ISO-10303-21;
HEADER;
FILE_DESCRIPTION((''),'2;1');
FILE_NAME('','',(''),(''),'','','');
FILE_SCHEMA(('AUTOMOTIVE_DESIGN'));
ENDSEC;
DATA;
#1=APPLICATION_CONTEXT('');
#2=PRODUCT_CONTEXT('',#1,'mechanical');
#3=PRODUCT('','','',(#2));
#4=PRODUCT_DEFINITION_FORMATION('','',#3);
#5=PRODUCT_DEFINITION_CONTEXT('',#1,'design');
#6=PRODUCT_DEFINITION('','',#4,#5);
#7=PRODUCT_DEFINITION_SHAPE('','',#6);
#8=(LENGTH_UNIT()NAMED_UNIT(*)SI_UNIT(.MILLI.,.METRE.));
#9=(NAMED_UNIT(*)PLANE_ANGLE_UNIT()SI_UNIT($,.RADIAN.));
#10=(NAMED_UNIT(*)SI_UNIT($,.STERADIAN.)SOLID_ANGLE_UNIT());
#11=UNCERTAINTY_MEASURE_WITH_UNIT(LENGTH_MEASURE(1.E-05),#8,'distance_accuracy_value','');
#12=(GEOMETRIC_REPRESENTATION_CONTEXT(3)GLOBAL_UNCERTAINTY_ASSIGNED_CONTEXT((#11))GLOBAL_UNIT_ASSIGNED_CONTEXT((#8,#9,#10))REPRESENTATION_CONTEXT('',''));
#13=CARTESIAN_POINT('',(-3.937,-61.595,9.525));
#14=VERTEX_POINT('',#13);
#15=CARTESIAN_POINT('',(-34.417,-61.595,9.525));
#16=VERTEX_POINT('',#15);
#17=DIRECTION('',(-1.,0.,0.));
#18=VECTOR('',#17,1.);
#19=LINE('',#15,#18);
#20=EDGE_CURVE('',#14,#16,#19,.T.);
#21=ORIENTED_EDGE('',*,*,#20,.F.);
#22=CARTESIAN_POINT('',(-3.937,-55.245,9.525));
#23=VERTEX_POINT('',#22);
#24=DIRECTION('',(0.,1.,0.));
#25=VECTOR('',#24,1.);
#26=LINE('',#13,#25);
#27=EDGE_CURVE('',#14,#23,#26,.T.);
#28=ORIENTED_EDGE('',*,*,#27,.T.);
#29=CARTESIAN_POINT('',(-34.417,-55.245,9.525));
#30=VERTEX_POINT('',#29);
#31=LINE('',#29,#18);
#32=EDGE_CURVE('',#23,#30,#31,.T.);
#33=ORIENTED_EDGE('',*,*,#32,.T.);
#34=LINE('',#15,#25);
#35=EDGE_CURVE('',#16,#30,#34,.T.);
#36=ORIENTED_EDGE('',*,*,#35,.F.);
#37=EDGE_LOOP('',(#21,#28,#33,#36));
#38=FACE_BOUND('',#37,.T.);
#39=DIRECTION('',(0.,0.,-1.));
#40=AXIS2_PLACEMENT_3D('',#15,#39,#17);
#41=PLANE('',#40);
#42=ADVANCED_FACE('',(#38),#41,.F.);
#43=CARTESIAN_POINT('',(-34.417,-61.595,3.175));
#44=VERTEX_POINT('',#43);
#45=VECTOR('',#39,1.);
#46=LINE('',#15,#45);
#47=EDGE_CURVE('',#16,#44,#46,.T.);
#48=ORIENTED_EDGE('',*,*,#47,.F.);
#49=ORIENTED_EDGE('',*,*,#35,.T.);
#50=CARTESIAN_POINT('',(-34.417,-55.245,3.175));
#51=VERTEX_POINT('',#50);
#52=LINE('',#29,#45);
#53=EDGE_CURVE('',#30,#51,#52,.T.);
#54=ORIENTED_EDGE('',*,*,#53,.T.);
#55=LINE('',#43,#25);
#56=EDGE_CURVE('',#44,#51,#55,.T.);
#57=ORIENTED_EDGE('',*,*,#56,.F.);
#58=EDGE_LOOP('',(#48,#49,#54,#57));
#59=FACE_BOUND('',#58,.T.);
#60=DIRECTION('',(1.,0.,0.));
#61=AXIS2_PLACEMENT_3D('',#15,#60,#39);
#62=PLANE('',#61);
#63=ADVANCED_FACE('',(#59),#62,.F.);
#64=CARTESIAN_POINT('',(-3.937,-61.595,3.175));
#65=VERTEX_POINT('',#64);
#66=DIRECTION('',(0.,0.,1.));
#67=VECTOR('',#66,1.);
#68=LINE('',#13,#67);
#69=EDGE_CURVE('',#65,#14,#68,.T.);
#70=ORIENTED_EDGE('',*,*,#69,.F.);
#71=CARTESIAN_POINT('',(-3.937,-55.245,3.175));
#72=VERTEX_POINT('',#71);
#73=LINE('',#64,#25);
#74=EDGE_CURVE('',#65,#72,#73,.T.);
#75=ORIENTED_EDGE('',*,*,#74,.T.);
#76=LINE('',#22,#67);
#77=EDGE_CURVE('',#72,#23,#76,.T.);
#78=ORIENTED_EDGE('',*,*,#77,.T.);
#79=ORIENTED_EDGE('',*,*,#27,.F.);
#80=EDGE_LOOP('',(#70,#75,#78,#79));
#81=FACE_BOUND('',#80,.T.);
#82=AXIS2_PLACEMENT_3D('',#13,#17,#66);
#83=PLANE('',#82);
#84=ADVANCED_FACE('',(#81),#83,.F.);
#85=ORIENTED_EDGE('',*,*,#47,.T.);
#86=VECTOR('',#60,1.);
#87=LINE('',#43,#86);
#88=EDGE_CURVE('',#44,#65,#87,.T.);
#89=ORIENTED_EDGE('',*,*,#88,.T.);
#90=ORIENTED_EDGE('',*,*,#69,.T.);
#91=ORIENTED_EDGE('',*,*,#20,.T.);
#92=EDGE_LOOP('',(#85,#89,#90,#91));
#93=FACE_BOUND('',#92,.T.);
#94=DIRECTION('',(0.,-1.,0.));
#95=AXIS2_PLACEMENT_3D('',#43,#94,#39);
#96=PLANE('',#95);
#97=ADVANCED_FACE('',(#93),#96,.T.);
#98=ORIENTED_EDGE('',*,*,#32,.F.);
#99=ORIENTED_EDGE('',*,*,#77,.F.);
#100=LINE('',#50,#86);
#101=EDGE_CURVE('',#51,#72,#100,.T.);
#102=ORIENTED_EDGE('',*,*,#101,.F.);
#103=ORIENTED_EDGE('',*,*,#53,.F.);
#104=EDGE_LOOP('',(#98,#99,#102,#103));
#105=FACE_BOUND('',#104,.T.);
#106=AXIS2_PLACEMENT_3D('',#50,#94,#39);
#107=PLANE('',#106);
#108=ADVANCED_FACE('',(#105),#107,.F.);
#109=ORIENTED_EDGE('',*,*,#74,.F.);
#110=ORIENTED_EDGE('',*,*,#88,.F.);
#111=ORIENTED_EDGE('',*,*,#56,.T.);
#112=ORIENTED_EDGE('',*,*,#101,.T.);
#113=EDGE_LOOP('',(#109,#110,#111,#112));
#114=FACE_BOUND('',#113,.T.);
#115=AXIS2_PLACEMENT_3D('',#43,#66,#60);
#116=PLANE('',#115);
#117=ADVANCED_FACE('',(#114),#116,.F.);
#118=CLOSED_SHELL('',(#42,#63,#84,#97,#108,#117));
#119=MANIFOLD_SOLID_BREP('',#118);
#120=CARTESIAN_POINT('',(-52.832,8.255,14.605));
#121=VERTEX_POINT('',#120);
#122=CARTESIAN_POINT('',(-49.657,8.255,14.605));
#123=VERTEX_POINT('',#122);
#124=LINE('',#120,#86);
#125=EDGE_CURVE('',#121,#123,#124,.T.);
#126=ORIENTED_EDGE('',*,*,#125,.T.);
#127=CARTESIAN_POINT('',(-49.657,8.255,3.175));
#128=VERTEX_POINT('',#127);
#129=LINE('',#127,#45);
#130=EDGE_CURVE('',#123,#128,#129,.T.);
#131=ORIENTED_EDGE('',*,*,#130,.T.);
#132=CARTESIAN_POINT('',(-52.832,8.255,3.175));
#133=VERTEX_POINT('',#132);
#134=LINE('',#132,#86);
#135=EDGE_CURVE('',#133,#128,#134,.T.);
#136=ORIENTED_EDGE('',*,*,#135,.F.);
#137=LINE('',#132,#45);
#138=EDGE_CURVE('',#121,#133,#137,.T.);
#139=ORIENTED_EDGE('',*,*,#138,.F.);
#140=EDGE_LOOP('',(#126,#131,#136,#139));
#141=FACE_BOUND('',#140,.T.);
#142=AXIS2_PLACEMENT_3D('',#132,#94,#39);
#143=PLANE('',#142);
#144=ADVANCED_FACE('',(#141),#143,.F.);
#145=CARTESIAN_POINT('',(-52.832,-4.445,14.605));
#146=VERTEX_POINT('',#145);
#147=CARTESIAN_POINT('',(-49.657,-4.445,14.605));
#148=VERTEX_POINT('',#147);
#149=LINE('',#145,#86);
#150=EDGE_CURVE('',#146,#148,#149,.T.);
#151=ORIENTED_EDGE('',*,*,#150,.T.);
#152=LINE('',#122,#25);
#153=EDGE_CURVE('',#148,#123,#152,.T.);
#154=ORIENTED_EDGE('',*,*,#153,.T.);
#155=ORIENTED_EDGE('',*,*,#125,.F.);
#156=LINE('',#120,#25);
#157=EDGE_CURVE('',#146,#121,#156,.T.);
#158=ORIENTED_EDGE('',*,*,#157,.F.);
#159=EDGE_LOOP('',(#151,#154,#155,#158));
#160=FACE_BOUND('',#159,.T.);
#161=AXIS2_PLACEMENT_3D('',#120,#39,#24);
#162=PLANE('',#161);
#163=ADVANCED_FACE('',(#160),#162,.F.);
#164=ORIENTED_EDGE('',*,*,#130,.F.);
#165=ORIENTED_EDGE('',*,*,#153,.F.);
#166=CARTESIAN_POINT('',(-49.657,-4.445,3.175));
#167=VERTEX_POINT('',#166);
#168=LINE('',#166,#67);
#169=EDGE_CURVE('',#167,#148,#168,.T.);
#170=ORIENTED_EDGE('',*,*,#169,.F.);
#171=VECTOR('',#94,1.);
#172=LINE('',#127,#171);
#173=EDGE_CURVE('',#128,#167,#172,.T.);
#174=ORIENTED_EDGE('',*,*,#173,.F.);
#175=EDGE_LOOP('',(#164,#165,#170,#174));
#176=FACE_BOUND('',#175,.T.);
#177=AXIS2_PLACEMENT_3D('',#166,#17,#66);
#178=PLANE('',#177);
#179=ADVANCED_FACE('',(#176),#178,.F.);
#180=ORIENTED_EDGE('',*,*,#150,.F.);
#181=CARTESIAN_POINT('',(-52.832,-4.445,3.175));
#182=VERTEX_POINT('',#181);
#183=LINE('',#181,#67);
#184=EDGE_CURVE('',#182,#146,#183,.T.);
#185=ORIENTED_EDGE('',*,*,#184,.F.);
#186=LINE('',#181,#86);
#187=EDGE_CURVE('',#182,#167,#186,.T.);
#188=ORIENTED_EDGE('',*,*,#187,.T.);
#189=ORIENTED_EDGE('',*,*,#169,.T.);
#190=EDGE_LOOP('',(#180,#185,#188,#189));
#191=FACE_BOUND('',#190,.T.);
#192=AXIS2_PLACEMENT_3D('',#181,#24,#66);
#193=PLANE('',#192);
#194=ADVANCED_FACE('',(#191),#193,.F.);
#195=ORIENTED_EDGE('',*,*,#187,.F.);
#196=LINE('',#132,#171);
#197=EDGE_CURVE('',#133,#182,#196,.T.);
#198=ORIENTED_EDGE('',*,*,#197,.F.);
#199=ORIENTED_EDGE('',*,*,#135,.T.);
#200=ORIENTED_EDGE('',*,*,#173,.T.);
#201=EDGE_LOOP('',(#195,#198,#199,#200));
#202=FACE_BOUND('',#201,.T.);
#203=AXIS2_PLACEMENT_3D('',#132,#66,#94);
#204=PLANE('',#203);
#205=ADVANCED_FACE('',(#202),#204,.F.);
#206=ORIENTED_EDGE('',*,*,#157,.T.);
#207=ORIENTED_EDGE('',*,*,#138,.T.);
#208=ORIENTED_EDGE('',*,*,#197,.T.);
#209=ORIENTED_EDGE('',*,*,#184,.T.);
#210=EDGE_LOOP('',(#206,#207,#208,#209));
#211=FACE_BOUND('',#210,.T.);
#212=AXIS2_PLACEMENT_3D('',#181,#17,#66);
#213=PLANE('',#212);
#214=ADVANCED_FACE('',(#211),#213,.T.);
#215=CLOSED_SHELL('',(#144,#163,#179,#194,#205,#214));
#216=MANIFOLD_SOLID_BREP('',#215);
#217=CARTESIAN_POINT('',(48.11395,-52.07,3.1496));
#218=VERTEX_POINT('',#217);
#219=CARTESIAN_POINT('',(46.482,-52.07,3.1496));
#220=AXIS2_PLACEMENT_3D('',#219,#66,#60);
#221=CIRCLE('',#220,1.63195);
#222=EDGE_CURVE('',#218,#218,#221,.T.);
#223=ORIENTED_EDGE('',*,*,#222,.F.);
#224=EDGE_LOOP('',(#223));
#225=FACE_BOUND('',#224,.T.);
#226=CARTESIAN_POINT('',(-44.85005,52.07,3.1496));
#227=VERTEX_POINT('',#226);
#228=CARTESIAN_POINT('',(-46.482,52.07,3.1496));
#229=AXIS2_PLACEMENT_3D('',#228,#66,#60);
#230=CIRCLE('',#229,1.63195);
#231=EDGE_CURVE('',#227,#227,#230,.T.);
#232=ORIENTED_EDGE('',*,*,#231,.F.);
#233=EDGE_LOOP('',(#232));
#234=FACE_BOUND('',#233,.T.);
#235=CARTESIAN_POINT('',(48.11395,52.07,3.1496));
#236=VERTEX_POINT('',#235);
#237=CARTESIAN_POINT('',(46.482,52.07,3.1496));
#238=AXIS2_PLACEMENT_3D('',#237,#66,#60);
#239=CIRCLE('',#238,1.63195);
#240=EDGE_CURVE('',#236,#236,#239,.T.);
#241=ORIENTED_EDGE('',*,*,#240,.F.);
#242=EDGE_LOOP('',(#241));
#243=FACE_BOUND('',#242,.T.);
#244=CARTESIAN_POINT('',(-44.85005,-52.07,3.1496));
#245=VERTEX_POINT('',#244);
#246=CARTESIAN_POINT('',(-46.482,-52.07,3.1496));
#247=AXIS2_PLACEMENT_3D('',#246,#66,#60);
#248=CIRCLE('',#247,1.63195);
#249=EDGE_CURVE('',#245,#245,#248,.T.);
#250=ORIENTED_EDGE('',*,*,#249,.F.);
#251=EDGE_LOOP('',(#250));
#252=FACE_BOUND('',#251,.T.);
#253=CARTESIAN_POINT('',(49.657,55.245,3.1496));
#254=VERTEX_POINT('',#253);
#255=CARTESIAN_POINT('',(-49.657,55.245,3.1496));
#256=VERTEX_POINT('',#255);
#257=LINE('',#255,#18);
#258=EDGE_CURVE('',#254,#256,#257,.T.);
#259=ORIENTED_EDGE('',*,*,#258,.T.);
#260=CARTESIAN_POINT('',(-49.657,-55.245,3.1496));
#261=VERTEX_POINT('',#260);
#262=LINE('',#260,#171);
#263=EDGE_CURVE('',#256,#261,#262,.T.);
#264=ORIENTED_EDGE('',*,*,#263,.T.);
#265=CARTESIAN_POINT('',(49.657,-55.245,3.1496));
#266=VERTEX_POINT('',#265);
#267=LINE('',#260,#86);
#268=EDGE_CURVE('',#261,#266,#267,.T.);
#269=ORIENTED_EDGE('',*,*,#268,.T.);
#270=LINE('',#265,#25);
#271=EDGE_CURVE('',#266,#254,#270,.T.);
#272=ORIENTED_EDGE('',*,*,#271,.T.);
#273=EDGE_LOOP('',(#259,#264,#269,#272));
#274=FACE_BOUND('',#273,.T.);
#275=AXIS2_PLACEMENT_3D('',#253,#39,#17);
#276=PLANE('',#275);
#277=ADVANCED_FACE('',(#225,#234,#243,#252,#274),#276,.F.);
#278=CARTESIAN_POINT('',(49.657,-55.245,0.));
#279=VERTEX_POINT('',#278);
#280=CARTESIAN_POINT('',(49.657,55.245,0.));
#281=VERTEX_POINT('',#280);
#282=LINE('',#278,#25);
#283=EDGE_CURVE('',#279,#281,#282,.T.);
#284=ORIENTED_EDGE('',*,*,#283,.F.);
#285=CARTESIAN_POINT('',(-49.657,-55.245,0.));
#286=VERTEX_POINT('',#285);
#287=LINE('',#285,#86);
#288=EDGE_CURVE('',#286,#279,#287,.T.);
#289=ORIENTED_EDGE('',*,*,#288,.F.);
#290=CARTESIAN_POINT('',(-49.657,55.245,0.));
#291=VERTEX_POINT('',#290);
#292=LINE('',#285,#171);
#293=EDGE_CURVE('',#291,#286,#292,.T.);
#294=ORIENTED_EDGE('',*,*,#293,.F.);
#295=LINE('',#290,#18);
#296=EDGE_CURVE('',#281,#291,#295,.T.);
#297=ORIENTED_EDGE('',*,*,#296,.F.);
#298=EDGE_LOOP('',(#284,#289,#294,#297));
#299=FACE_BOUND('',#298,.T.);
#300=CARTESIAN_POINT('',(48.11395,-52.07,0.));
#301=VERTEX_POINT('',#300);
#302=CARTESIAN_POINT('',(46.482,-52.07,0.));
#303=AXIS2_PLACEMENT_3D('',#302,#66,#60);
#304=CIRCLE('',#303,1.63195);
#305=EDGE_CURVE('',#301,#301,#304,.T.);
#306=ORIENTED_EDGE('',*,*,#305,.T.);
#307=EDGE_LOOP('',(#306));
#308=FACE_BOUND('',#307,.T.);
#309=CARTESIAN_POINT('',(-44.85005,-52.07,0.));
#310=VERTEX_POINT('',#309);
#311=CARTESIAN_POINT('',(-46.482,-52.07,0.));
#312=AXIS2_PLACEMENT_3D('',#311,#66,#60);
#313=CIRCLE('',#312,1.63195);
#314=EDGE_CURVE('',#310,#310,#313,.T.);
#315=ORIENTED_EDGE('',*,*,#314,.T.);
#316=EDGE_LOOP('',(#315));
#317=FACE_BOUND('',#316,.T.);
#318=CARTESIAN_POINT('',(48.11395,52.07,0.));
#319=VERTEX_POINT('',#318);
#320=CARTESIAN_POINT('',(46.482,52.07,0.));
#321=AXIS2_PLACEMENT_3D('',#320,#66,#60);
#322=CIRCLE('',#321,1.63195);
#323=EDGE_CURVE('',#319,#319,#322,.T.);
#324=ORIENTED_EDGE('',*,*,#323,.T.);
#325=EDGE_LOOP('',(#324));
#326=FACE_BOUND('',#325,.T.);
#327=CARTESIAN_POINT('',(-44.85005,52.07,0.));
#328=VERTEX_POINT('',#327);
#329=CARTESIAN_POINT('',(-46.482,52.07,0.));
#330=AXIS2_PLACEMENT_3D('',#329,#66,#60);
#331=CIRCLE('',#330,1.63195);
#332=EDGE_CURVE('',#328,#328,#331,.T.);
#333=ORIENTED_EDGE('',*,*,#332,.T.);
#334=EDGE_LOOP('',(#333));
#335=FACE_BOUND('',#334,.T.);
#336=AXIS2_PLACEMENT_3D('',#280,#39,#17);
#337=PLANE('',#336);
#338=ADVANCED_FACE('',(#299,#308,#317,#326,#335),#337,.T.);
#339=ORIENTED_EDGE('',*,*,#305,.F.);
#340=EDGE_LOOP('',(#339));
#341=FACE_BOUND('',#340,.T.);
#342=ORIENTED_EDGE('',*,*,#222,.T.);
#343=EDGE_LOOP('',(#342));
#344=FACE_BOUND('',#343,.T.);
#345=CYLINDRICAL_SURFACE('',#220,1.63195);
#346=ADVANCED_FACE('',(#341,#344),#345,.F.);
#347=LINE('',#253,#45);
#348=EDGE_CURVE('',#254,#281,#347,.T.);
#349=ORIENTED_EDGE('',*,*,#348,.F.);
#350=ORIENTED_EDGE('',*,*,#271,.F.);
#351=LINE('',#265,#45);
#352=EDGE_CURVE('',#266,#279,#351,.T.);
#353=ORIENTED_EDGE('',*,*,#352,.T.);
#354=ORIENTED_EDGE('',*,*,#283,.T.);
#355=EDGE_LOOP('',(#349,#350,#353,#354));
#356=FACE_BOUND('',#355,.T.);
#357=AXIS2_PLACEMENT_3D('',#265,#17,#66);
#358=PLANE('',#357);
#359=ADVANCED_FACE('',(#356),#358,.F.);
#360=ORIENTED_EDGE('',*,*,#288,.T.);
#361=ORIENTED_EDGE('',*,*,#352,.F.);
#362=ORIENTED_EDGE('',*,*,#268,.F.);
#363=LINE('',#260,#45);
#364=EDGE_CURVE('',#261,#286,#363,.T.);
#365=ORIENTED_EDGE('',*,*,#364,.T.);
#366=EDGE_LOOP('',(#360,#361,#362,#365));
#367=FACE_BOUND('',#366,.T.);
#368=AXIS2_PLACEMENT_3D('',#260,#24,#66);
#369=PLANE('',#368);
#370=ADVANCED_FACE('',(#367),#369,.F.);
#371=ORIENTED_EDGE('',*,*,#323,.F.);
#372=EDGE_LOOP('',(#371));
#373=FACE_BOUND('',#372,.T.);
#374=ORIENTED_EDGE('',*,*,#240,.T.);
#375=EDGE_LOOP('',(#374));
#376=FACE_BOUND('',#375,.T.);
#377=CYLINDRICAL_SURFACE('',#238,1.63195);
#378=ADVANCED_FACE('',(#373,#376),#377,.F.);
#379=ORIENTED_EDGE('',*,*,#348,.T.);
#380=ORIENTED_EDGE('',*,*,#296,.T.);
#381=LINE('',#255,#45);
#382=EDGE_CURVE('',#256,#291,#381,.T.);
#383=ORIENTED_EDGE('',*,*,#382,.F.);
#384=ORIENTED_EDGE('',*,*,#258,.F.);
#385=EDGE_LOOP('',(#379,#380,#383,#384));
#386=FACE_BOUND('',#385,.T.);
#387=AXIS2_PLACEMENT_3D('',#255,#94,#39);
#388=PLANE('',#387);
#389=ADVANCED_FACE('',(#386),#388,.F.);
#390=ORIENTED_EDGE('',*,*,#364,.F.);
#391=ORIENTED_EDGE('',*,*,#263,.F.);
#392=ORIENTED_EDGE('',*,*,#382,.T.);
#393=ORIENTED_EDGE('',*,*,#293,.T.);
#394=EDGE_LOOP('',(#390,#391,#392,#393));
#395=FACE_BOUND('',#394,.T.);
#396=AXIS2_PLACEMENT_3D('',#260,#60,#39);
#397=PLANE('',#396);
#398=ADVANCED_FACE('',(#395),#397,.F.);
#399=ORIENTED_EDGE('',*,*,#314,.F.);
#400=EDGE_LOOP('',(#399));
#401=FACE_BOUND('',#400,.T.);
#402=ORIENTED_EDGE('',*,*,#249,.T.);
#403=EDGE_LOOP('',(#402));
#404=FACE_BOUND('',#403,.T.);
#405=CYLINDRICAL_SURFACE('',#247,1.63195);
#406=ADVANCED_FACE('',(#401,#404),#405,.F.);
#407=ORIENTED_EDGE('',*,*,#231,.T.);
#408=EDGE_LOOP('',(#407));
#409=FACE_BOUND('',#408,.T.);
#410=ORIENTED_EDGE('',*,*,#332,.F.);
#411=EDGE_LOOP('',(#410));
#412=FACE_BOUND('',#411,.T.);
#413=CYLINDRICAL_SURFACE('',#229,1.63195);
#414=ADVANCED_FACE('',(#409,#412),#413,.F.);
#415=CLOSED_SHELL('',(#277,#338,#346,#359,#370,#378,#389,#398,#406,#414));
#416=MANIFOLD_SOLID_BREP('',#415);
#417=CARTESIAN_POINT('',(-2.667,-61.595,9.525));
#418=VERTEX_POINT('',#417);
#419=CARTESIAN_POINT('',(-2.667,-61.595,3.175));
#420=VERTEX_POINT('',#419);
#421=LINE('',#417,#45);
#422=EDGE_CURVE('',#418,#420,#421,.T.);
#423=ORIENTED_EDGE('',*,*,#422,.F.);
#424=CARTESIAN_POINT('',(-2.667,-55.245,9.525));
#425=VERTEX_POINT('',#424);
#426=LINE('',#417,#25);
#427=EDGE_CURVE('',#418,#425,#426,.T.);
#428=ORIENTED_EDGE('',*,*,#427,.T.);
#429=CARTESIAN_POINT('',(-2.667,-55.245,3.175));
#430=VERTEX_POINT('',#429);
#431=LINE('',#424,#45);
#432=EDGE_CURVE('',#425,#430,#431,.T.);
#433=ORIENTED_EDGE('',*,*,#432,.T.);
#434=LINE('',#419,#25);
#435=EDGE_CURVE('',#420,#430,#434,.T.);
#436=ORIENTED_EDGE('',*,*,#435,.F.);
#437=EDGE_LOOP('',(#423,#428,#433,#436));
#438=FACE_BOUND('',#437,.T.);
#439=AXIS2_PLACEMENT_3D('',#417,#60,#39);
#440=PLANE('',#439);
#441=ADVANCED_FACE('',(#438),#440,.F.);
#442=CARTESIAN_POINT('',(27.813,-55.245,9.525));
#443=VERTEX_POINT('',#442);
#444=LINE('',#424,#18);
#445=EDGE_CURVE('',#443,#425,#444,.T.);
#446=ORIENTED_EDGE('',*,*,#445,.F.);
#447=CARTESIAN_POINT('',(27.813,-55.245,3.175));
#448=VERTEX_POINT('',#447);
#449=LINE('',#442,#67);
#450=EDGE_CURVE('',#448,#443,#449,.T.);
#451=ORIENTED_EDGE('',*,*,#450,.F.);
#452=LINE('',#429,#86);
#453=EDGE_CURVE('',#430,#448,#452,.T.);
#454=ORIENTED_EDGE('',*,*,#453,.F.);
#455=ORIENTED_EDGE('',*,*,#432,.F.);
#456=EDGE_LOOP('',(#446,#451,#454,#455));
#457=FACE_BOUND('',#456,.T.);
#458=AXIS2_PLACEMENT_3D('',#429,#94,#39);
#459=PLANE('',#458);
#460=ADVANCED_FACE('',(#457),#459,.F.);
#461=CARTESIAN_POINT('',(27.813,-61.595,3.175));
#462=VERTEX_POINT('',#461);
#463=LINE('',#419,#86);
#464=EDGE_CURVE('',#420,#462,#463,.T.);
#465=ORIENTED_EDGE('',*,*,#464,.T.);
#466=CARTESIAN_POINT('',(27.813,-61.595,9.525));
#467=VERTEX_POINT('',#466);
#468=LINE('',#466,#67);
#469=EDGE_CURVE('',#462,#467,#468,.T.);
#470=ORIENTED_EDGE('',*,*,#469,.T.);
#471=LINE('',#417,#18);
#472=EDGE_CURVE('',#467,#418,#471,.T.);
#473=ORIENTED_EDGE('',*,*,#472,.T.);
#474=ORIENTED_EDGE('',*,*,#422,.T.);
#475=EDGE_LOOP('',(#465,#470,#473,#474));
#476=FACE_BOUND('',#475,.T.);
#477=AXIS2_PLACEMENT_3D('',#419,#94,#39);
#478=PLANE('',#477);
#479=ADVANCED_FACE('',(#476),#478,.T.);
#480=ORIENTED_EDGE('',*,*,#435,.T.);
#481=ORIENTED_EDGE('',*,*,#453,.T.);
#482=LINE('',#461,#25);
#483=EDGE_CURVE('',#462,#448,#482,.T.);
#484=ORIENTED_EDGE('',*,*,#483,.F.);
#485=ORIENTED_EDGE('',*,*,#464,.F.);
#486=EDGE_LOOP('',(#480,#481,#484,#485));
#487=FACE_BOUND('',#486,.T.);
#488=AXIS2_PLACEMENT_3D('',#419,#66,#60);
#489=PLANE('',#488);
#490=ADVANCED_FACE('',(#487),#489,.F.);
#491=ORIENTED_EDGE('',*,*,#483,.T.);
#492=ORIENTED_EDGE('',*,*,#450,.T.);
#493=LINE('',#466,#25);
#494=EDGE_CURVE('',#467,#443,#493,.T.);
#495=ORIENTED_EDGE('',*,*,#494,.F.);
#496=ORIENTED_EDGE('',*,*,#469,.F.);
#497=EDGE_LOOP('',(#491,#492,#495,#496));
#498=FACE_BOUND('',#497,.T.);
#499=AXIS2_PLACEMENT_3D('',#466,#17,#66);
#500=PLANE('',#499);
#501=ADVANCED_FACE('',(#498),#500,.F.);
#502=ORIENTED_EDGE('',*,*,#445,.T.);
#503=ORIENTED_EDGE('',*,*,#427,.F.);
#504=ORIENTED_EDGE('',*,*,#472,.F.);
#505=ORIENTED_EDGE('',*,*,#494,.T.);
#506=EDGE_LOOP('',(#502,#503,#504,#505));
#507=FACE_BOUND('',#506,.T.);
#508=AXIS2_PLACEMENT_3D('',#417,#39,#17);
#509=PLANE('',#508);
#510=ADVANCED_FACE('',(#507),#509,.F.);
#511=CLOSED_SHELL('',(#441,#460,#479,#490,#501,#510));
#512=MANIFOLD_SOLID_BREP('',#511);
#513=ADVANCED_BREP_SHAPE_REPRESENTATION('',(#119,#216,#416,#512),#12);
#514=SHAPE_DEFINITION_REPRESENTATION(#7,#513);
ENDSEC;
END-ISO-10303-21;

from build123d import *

# Parameters (mm, degrees)
SKETCH1_W                      = 99.314
SKETCH1_H                      = 110.49
EXTRUDE1_DEPTH                 = 3.1496
SKETCH2_W                      = 30.48
SKETCH2_H                      = 6.35
EXTRUDE2_DEPTH                 = 6.35
EXTRUDE2_2_DEPTH               = 6.35
SKETCH3_W                      = 11.43
SKETCH3_H                      = 12.7
EXTRUDE3_DEPTH                 = 3.175
SKETCH5_W                      = 1.63195
SKETCH5_H                      = 3.1496
F_4_CLEARANCE_HOLE1_AT_2_COUNT = 2
F_4_CLEARANCE_HOLE1_AT_2_PITCH = 104.14
MIRROR1_COPY_1_SKETCH_W        = 1.63195
MIRROR1_COPY_1_SKETCH_H        = 3.1496


with BuildPart() as part:
    # Sketch1 → Extrude1 (new body)
    with BuildSketch(Plane.XY):
        Rectangle(SKETCH1_W, SKETCH1_H)
    extrude(amount=EXTRUDE1_DEPTH)

    # Sketch5 → #4 Clearance Hole1 (revolve, cut)
    with BuildSketch(Plane(origin=(-46.482, 52.07, 3.1496), x_dir=(0, -1, 0), z_dir=(1, 0, 0))):
        with Locations((0.815975, 1.5748)):
            Rectangle(SKETCH5_W, SKETCH5_H)
    f_4_clearance_hole1 = revolve(axis=Axis((-46.482, 52.07, 9.4996), (0, 0, -1)), mode=Mode.SUBTRACT)

    # #4 Clearance Hole1 at 2: #4 Clearance Hole1 ×2
    with Locations(*[(0, -i * F_4_CLEARANCE_HOLE1_AT_2_PITCH, 0) for i in range(1, F_4_CLEARANCE_HOLE1_AT_2_COUNT)]):
        add(f_4_clearance_hole1, mode=Mode.SUBTRACT)

    # Mirror1: #4 Clearance Hole1 across plane
    add(f_4_clearance_hole1.mirror(Plane(origin=(0, 0, 0), x_dir=(0, 0, 1), z_dir=(1, 0, 0))), mode=Mode.SUBTRACT)

    # Mirror1 copy 1 sketch → Mirror1 copy 1 (revolve, cut)
    with BuildSketch(Plane(origin=(46.482, -52.07, 3.1496), x_dir=(0, -1, 0), z_dir=(-1, 0, 0))):
        with Locations((0.815975, -1.5748)):
            Rectangle(MIRROR1_COPY_1_SKETCH_W, MIRROR1_COPY_1_SKETCH_H)
    revolve(axis=Axis((46.482, -52.07, 9.4996), (0, 0, 1)), mode=Mode.SUBTRACT)


with BuildPart() as body_2:
    # Sketch2 → Extrude2 (new body)
    with BuildSketch(Plane.XZ.offset(55.245)):
        with Locations((-19.177, 6.35)):
            Rectangle(SKETCH2_W, SKETCH2_H)
    extrude(amount=EXTRUDE2_DEPTH)


with BuildPart() as body_3:
    # Sketch2 → Extrude2 2 (new body)
    with BuildSketch(Plane.XZ.offset(55.245)):
        with Locations((12.573, 6.35)):
            Rectangle(SKETCH2_W, SKETCH2_H)
    extrude(amount=EXTRUDE2_2_DEPTH)


with BuildPart() as body_4:
    # Sketch3 → Extrude3 (new body)
    with BuildSketch(Plane.ZY.offset(49.657)):
        with Locations((8.89, 1.905)):
            Rectangle(SKETCH3_W, SKETCH3_H)
    extrude(amount=EXTRUDE3_DEPTH)


solid = Compound([part.part, body_2.part, body_3.part, body_4.part])
